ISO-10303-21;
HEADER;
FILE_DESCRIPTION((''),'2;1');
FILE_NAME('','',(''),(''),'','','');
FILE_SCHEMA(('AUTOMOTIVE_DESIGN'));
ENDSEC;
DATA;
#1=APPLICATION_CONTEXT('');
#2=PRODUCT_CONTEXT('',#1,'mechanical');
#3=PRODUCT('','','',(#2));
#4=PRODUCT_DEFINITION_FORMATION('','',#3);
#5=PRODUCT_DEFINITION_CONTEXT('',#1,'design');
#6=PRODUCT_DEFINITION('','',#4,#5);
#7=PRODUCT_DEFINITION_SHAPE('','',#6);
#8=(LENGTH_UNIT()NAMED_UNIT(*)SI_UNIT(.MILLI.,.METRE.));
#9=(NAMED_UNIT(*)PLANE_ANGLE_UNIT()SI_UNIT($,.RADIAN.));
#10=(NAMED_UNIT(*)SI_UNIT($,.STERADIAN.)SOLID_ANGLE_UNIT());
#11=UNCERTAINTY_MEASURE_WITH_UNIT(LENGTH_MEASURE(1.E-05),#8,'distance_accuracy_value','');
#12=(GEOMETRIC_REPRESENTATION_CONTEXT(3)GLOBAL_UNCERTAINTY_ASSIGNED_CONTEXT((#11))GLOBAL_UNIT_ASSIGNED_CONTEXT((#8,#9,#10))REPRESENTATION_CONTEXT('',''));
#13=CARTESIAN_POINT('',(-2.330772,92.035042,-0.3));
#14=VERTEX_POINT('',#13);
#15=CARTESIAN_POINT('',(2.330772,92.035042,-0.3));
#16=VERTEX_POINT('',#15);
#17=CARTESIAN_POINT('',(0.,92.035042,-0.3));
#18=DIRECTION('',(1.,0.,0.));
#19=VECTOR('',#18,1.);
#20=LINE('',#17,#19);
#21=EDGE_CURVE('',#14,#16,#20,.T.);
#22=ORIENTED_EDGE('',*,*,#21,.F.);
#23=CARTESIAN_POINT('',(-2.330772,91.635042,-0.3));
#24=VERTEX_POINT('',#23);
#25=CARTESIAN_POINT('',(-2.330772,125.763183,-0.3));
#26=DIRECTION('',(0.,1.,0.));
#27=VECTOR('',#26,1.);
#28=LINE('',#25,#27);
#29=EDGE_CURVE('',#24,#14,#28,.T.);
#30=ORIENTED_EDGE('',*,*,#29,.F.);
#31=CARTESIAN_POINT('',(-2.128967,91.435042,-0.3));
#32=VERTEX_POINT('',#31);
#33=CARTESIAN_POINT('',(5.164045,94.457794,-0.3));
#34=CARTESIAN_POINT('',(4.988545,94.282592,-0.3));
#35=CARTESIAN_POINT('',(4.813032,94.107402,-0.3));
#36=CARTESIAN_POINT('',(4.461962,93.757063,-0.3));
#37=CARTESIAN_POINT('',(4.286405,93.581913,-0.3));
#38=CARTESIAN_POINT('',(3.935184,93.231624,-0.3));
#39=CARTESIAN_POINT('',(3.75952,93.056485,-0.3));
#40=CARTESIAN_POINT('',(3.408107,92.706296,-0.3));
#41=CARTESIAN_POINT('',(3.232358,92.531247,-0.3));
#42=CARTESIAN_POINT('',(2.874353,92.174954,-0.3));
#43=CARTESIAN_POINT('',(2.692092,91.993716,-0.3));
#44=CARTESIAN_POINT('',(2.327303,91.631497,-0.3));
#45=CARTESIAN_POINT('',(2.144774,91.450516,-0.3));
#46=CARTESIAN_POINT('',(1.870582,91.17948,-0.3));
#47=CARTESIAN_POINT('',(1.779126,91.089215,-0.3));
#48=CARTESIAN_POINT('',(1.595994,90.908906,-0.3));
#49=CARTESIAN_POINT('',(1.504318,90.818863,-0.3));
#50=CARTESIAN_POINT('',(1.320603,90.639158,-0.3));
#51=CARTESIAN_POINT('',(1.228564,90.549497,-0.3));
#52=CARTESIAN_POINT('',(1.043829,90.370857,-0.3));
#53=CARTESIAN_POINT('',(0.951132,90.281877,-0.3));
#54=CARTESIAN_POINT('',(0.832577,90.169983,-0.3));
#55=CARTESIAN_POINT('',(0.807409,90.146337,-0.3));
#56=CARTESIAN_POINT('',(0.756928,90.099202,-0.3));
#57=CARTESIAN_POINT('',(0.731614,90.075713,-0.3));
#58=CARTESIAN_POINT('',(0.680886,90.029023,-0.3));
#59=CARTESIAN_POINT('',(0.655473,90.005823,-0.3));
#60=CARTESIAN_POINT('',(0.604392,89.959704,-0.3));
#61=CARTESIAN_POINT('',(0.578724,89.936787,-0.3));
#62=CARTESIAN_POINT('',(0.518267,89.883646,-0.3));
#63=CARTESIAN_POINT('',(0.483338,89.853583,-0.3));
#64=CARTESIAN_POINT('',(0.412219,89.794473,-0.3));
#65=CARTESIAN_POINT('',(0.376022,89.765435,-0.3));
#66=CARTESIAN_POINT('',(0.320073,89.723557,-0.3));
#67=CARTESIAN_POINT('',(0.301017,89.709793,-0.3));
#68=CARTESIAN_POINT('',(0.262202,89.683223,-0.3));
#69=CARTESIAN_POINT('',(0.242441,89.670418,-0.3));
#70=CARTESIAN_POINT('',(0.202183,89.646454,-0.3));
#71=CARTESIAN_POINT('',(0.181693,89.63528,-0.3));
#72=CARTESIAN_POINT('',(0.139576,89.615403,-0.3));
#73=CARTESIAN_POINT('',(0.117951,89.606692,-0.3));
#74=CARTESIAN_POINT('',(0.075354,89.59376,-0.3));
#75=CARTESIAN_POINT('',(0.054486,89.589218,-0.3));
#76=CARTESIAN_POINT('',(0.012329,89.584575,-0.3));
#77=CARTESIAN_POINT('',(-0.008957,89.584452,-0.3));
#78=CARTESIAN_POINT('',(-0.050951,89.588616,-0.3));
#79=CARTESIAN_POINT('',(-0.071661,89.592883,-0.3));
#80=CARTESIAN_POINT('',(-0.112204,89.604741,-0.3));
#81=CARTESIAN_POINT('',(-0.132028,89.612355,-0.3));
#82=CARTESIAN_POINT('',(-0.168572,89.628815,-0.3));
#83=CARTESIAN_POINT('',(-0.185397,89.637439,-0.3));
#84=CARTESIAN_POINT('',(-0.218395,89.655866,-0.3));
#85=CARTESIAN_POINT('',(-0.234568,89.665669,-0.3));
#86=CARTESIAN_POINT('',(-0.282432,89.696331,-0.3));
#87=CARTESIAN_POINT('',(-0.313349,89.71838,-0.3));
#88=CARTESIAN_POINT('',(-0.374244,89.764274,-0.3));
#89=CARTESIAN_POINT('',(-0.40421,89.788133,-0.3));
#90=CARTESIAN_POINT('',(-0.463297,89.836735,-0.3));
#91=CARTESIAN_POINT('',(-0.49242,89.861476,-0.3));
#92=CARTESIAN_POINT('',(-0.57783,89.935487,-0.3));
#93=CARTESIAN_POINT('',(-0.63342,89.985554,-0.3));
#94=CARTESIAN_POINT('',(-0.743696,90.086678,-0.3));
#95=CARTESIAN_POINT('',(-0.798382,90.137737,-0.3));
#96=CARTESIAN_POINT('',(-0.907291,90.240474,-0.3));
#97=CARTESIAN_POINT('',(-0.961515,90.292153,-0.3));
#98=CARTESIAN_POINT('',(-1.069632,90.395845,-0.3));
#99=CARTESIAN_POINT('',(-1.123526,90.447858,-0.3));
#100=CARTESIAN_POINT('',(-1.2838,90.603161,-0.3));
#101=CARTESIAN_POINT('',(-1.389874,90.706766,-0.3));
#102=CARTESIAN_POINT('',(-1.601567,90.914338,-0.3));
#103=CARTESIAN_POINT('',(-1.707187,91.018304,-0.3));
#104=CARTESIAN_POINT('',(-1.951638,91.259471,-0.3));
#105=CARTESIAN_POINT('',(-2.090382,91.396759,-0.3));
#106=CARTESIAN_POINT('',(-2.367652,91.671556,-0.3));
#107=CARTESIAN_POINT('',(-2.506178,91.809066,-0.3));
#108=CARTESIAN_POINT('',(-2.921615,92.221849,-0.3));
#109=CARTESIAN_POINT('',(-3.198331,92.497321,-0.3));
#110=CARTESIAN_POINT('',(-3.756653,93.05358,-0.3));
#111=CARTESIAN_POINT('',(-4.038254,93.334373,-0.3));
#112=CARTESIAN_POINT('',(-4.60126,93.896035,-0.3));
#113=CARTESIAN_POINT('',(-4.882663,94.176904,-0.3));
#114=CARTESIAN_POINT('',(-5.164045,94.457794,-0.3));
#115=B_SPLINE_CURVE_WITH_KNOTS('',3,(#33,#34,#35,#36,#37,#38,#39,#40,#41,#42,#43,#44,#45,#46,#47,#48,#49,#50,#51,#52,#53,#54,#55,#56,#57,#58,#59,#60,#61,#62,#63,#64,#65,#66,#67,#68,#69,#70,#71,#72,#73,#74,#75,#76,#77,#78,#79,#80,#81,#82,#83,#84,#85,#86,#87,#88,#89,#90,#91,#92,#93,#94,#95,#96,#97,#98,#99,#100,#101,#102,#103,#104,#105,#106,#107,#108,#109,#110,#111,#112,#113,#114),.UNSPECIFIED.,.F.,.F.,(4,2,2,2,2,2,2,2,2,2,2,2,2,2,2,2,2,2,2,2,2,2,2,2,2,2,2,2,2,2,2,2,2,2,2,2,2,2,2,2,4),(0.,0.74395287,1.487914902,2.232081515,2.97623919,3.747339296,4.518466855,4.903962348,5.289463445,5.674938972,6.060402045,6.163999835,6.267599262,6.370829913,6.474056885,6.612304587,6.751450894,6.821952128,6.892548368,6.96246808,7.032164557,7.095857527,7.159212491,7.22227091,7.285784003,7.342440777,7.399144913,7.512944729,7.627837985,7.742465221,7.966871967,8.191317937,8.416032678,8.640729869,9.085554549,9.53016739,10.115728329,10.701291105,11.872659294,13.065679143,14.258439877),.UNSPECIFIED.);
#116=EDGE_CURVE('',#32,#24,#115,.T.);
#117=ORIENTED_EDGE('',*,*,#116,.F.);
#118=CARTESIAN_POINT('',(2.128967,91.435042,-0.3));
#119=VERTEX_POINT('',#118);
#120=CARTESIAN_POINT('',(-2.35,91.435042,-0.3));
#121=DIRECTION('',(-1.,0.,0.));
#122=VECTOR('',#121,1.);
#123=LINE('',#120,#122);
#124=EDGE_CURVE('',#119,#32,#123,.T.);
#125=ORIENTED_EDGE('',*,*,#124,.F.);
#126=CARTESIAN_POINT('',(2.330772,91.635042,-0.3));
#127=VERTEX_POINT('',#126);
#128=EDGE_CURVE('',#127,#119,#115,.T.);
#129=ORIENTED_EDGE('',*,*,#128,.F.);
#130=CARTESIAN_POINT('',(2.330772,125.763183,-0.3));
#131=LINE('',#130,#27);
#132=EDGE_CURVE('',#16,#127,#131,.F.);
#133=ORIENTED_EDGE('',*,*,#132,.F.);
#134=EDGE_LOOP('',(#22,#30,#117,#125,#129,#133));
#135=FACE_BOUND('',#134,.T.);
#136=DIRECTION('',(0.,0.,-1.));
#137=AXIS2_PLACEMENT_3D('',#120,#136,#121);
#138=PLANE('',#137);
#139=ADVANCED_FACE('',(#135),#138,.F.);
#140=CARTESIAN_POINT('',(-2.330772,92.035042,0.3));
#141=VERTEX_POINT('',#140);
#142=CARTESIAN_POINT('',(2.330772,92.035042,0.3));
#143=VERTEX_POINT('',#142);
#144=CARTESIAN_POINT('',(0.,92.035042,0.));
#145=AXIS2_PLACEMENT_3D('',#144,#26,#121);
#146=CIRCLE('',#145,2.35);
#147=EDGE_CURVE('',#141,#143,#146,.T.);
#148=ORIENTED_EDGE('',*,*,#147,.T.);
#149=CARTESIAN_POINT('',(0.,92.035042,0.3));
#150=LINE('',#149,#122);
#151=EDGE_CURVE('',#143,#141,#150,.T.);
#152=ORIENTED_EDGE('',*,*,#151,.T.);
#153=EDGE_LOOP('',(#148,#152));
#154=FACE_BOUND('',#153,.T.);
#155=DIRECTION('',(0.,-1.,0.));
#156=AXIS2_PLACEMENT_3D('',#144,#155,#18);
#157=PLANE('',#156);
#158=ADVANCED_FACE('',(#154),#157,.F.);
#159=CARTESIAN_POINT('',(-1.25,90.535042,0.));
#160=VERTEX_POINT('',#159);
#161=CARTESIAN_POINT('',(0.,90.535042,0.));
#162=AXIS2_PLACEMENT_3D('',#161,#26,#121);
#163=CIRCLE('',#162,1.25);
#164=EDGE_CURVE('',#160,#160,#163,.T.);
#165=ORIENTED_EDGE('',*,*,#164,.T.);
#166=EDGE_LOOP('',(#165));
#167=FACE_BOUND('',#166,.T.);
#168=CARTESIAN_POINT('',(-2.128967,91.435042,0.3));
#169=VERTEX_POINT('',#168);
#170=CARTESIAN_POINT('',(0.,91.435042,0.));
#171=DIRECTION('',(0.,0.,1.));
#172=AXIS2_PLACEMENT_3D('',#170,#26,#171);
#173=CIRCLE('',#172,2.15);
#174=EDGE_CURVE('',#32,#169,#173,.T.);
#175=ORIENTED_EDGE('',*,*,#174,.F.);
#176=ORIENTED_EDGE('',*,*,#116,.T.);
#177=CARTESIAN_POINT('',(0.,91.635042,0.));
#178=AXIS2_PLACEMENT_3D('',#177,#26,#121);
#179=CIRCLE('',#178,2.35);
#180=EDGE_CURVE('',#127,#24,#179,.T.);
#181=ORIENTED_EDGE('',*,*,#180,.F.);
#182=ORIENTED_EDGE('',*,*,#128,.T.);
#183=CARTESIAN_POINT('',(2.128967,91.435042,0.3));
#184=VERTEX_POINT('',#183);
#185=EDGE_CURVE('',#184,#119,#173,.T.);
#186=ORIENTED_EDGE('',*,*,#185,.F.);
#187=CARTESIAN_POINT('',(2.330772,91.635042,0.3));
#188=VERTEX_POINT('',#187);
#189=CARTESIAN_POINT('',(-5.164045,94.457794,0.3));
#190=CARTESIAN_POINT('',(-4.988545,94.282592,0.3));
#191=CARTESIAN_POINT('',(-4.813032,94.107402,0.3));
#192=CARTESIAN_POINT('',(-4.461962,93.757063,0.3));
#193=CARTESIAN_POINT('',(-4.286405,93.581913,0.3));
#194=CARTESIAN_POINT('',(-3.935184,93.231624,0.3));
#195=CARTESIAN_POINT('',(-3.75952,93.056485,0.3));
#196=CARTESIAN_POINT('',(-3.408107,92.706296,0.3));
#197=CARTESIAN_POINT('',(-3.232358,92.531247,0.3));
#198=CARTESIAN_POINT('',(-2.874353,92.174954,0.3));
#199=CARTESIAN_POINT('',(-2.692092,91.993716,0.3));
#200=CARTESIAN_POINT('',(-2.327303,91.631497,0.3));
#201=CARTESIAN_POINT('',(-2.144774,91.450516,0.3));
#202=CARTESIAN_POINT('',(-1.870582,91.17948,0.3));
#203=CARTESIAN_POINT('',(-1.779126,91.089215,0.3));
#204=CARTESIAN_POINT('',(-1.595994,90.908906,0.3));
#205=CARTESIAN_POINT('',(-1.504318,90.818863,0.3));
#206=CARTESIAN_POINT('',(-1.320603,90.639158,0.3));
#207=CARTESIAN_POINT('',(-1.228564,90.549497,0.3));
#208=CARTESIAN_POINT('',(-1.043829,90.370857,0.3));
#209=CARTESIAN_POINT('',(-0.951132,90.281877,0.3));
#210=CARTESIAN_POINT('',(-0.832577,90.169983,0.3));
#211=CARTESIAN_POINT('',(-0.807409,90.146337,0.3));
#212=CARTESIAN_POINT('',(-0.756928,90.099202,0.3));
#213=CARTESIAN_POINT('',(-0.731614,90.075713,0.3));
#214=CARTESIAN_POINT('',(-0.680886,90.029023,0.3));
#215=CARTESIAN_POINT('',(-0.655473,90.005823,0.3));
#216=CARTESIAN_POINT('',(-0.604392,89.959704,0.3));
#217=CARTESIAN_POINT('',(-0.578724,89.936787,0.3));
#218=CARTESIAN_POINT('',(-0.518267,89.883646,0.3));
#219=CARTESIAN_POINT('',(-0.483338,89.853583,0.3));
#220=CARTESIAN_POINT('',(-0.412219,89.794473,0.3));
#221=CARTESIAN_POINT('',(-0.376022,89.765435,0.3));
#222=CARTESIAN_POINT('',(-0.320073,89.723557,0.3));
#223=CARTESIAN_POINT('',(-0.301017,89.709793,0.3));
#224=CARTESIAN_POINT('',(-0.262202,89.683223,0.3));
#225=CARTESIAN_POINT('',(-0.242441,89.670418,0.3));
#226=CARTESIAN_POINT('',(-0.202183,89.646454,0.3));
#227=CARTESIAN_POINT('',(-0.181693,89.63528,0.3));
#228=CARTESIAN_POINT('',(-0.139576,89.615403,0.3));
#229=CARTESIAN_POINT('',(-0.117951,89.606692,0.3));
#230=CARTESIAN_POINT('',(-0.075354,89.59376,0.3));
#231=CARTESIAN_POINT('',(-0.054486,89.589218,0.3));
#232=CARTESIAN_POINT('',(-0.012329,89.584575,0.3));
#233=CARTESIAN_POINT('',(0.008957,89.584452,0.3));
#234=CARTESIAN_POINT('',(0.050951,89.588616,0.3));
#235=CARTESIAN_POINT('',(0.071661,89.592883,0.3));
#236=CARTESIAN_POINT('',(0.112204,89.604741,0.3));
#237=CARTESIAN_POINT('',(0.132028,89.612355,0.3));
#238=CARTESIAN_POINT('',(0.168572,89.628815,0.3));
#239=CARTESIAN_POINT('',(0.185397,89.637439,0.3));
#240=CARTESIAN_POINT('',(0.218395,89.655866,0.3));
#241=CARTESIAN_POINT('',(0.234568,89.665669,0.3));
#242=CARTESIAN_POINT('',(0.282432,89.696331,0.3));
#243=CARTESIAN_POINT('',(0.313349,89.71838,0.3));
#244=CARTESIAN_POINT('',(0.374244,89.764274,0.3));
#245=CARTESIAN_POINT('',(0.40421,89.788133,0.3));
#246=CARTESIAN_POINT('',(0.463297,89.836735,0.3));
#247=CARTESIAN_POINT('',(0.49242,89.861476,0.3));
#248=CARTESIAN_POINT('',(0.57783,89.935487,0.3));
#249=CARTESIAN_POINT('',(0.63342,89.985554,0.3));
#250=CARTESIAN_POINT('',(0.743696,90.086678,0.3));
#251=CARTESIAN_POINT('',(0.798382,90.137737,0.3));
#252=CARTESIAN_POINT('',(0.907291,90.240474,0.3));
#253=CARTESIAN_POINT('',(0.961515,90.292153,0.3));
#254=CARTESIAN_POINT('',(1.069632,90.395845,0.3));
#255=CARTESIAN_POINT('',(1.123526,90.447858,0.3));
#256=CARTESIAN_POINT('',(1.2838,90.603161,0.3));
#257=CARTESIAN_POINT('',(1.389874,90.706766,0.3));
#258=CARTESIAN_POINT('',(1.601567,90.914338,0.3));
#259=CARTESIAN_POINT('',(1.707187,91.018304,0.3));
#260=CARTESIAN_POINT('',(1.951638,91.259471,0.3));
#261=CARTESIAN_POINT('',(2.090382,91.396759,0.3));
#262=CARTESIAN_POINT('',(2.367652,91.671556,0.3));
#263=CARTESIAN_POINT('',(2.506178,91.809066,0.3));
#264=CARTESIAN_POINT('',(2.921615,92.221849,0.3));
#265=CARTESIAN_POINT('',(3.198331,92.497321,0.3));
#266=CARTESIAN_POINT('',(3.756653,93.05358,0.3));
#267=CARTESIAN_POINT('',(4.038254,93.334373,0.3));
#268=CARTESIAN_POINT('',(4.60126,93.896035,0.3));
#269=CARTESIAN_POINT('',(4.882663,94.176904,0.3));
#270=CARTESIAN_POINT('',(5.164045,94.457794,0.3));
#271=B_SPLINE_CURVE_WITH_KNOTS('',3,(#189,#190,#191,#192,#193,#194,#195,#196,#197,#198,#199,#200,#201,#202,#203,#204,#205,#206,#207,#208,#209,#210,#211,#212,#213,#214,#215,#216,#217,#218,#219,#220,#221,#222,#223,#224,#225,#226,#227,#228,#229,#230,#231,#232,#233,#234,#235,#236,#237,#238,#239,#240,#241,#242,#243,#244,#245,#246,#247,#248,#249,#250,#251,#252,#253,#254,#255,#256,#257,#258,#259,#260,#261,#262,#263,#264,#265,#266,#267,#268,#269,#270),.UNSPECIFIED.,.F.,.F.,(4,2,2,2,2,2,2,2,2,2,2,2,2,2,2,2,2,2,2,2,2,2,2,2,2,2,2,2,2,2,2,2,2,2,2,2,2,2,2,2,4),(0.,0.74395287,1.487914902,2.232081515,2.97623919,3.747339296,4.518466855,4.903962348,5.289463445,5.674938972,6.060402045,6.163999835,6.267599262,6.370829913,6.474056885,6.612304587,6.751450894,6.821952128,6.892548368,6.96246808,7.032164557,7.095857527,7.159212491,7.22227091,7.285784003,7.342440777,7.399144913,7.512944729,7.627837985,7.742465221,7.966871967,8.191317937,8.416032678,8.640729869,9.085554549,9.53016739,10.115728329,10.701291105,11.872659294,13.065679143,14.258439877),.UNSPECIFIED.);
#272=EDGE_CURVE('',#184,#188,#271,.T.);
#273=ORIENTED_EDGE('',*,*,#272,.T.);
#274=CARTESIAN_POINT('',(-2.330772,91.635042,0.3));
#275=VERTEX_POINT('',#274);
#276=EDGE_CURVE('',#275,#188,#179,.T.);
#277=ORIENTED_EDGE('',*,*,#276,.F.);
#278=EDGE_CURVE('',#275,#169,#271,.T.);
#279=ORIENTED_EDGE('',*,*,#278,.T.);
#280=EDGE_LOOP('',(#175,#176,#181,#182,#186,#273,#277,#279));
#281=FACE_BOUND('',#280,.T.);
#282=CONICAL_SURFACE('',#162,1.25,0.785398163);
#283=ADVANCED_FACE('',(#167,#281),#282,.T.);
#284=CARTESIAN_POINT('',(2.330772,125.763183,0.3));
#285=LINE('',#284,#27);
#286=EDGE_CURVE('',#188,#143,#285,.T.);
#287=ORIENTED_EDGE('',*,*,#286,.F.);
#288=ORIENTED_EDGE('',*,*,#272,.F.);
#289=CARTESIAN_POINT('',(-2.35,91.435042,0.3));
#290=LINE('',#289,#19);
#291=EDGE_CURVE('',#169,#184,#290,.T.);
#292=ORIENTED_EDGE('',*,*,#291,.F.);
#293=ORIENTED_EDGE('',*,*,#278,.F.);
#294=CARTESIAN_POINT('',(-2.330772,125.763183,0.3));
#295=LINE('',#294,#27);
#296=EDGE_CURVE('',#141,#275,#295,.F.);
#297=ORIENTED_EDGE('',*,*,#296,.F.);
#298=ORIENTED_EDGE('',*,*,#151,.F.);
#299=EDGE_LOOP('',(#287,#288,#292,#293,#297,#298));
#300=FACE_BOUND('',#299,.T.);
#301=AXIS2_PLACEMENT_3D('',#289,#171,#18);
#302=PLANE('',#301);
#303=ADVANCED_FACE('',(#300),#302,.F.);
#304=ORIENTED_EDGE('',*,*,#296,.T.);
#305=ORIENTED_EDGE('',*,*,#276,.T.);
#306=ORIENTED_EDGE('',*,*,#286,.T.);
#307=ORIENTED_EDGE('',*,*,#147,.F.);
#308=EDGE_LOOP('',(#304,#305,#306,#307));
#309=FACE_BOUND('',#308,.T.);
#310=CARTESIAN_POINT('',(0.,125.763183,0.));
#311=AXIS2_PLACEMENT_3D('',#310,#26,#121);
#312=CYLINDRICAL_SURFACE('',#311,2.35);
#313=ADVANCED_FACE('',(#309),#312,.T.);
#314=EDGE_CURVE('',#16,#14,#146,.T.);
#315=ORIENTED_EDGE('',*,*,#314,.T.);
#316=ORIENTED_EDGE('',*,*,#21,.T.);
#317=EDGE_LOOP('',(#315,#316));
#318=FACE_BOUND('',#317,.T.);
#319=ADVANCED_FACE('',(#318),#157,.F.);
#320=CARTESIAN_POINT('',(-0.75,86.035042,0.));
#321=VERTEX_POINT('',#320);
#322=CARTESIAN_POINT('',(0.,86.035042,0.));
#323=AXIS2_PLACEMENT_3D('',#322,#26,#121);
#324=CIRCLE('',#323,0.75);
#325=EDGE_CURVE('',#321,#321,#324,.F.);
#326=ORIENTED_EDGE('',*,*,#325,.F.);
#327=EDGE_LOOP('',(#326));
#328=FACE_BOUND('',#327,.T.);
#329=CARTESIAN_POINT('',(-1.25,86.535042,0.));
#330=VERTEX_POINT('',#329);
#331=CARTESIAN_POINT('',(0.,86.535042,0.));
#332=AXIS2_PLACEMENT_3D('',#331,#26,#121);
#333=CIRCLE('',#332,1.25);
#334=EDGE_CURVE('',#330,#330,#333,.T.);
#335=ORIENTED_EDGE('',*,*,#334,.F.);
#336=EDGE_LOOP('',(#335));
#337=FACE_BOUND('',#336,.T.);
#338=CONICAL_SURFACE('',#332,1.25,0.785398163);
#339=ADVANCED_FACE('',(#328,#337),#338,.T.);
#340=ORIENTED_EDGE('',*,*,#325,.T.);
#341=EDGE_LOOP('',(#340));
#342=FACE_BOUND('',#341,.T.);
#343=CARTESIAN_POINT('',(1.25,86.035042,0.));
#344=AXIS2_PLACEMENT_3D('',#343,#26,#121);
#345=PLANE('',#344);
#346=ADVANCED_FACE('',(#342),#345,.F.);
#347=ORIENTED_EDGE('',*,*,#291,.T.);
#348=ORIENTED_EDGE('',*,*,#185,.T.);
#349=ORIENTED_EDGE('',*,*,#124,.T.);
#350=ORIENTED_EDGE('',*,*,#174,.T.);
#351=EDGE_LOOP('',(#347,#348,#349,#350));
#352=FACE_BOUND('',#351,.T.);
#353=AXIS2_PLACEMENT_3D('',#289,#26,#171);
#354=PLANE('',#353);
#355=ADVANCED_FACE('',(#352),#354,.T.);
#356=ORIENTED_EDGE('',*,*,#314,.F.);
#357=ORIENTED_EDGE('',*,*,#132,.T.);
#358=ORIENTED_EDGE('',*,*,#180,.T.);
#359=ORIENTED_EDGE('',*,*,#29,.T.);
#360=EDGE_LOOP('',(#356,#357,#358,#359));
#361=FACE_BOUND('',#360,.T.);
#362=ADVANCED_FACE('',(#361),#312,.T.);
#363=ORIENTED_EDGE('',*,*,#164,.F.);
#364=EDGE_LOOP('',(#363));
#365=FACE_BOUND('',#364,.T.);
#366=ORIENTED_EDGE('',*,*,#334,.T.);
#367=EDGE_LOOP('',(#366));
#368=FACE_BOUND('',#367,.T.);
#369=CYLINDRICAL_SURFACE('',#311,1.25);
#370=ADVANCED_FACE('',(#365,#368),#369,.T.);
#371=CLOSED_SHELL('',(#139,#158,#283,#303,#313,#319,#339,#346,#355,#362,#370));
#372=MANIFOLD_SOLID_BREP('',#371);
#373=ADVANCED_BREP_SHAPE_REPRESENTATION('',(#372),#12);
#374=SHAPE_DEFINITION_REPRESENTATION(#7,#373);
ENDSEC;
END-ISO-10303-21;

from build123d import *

# Parameters (mm, degrees)
SKETCH_13_W         = 4.7
SKETCH_13_H         = 0.6
CUT_EXTRUDE_9_DEPTH = 0.6
CHAMFER_1_SIZE      = 0.5


with BuildPart() as part:
    # Эскиз1 → Повернуть1 (revolve)
    with BuildSketch(Plane.XY):
        Polygon((0, 92.035042223), (0, 86.035042223), (1.25, 86.035042223), (1.25, 90.535042223), (2.35, 91.635042223), (2.35, 92.035042223), align=None)
    revolve(axis=Axis((0, 125.763182898, 0), (0, -1, 0)))

    # Эскиз13 → Вырез-Вытянуть9 (cut)
    with BuildSketch(Plane(origin=(0, 92.035042223, 0), x_dir=(-1, 0, 0), z_dir=(0, 1, 0))):
        Rectangle(SKETCH_13_W, SKETCH_13_H)
    extrude(amount=-CUT_EXTRUDE_9_DEPTH, mode=Mode.SUBTRACT)

    # Фаска1
    chamfer_1_edges = [part.edges().sort_by_distance(p)[0] for p in [
        (-1.25, 86.035042223, 0),
    ]]
    chamfer(chamfer_1_edges, length=CHAMFER_1_SIZE)


solid = part.part
